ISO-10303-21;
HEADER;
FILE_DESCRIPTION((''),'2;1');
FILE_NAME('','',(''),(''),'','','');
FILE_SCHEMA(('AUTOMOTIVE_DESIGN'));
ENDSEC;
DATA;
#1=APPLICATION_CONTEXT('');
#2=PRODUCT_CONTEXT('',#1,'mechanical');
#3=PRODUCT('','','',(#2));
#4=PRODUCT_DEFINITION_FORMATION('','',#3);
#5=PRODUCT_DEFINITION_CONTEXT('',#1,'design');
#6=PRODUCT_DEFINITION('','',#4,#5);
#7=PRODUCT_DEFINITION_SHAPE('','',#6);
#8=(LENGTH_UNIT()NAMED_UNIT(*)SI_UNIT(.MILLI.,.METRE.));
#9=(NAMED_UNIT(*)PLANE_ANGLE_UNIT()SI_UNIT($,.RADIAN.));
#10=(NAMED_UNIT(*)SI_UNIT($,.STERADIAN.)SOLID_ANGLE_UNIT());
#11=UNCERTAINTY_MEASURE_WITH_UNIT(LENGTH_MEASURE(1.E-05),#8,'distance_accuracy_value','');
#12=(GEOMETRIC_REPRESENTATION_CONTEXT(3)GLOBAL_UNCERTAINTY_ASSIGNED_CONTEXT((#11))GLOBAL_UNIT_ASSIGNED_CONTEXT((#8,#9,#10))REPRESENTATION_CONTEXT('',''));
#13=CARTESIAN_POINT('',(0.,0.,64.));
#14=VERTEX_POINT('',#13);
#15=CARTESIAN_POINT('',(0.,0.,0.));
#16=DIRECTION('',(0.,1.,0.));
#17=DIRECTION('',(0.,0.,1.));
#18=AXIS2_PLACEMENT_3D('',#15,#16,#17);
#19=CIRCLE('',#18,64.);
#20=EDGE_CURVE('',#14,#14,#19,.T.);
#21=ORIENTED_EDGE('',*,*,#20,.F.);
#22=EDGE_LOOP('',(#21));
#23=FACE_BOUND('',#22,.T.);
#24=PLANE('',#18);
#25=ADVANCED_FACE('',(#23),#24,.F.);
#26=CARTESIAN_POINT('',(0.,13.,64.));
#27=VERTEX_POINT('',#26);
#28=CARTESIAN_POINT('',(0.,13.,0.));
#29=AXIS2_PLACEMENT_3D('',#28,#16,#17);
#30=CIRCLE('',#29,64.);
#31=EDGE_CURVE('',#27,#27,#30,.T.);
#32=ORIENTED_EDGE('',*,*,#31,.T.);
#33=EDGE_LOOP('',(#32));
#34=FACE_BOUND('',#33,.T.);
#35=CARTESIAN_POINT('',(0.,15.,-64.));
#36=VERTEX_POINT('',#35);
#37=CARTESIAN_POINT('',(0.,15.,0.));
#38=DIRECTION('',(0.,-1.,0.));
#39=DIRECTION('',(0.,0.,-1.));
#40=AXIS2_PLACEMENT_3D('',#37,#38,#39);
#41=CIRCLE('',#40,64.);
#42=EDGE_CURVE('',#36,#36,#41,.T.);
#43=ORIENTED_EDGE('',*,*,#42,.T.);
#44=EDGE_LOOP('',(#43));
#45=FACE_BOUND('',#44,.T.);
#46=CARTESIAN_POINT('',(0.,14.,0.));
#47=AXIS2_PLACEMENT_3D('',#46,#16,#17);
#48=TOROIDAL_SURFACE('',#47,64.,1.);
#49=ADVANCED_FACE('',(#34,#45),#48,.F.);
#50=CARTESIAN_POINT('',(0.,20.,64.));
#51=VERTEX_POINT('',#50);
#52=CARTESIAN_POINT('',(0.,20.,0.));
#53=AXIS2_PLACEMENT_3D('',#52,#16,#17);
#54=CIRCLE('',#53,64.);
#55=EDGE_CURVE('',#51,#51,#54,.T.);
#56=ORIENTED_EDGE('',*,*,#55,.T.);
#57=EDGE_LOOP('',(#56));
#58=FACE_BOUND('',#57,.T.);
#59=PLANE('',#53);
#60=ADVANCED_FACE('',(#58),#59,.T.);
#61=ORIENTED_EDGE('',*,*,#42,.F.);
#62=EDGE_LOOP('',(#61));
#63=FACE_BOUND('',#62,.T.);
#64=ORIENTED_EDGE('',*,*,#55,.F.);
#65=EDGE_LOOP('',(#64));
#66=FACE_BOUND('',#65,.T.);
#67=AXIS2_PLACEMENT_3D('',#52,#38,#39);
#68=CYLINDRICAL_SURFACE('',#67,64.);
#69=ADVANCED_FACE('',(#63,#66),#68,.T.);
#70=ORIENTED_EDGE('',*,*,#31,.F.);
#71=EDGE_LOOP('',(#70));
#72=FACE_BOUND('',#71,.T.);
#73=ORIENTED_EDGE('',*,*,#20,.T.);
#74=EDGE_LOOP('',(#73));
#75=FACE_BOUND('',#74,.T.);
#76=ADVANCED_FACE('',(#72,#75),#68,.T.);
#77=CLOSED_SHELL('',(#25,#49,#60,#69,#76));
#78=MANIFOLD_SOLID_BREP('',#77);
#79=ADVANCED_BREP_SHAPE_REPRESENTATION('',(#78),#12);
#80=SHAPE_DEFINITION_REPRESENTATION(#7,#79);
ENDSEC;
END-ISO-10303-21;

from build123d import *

# Parameters (mm, degrees)
SZKIC1_R                    = 64
DODANIE_WYCI_GNI_CIE1_DEPTH = 20
SZKIC3_R                    = 1


with BuildPart() as part:
    # Szkic1 → Dodanie-wyciągnięcie1 (new body)
    with BuildSketch(Plane(origin=(0, 0, 0), x_dir=(1, 0, 0), z_dir=(0, 1, 0))):
        with Locations(Location((0, 0, 0), (0, 0, 270))):
            Circle(SZKIC1_R)
    extrude(amount=DODANIE_WYCI_GNI_CIE1_DEPTH)

    # Szkic3 → Wycięcie-obrót1 (revolve, cut)
    with BuildSketch(Plane.XY, mode=Mode.PRIVATE) as wyci_cie_obr_t1_sk:
        with Locations((64, 14)):
            Circle(SZKIC3_R)
    revolve(wyci_cie_obr_t1_sk.sketch.rotate(Axis((0, 20, 0), (0, -1, 0)), 90), axis=Axis((0, 20, 0), (0, -1, 0)), mode=Mode.SUBTRACT)


solid = part.part
